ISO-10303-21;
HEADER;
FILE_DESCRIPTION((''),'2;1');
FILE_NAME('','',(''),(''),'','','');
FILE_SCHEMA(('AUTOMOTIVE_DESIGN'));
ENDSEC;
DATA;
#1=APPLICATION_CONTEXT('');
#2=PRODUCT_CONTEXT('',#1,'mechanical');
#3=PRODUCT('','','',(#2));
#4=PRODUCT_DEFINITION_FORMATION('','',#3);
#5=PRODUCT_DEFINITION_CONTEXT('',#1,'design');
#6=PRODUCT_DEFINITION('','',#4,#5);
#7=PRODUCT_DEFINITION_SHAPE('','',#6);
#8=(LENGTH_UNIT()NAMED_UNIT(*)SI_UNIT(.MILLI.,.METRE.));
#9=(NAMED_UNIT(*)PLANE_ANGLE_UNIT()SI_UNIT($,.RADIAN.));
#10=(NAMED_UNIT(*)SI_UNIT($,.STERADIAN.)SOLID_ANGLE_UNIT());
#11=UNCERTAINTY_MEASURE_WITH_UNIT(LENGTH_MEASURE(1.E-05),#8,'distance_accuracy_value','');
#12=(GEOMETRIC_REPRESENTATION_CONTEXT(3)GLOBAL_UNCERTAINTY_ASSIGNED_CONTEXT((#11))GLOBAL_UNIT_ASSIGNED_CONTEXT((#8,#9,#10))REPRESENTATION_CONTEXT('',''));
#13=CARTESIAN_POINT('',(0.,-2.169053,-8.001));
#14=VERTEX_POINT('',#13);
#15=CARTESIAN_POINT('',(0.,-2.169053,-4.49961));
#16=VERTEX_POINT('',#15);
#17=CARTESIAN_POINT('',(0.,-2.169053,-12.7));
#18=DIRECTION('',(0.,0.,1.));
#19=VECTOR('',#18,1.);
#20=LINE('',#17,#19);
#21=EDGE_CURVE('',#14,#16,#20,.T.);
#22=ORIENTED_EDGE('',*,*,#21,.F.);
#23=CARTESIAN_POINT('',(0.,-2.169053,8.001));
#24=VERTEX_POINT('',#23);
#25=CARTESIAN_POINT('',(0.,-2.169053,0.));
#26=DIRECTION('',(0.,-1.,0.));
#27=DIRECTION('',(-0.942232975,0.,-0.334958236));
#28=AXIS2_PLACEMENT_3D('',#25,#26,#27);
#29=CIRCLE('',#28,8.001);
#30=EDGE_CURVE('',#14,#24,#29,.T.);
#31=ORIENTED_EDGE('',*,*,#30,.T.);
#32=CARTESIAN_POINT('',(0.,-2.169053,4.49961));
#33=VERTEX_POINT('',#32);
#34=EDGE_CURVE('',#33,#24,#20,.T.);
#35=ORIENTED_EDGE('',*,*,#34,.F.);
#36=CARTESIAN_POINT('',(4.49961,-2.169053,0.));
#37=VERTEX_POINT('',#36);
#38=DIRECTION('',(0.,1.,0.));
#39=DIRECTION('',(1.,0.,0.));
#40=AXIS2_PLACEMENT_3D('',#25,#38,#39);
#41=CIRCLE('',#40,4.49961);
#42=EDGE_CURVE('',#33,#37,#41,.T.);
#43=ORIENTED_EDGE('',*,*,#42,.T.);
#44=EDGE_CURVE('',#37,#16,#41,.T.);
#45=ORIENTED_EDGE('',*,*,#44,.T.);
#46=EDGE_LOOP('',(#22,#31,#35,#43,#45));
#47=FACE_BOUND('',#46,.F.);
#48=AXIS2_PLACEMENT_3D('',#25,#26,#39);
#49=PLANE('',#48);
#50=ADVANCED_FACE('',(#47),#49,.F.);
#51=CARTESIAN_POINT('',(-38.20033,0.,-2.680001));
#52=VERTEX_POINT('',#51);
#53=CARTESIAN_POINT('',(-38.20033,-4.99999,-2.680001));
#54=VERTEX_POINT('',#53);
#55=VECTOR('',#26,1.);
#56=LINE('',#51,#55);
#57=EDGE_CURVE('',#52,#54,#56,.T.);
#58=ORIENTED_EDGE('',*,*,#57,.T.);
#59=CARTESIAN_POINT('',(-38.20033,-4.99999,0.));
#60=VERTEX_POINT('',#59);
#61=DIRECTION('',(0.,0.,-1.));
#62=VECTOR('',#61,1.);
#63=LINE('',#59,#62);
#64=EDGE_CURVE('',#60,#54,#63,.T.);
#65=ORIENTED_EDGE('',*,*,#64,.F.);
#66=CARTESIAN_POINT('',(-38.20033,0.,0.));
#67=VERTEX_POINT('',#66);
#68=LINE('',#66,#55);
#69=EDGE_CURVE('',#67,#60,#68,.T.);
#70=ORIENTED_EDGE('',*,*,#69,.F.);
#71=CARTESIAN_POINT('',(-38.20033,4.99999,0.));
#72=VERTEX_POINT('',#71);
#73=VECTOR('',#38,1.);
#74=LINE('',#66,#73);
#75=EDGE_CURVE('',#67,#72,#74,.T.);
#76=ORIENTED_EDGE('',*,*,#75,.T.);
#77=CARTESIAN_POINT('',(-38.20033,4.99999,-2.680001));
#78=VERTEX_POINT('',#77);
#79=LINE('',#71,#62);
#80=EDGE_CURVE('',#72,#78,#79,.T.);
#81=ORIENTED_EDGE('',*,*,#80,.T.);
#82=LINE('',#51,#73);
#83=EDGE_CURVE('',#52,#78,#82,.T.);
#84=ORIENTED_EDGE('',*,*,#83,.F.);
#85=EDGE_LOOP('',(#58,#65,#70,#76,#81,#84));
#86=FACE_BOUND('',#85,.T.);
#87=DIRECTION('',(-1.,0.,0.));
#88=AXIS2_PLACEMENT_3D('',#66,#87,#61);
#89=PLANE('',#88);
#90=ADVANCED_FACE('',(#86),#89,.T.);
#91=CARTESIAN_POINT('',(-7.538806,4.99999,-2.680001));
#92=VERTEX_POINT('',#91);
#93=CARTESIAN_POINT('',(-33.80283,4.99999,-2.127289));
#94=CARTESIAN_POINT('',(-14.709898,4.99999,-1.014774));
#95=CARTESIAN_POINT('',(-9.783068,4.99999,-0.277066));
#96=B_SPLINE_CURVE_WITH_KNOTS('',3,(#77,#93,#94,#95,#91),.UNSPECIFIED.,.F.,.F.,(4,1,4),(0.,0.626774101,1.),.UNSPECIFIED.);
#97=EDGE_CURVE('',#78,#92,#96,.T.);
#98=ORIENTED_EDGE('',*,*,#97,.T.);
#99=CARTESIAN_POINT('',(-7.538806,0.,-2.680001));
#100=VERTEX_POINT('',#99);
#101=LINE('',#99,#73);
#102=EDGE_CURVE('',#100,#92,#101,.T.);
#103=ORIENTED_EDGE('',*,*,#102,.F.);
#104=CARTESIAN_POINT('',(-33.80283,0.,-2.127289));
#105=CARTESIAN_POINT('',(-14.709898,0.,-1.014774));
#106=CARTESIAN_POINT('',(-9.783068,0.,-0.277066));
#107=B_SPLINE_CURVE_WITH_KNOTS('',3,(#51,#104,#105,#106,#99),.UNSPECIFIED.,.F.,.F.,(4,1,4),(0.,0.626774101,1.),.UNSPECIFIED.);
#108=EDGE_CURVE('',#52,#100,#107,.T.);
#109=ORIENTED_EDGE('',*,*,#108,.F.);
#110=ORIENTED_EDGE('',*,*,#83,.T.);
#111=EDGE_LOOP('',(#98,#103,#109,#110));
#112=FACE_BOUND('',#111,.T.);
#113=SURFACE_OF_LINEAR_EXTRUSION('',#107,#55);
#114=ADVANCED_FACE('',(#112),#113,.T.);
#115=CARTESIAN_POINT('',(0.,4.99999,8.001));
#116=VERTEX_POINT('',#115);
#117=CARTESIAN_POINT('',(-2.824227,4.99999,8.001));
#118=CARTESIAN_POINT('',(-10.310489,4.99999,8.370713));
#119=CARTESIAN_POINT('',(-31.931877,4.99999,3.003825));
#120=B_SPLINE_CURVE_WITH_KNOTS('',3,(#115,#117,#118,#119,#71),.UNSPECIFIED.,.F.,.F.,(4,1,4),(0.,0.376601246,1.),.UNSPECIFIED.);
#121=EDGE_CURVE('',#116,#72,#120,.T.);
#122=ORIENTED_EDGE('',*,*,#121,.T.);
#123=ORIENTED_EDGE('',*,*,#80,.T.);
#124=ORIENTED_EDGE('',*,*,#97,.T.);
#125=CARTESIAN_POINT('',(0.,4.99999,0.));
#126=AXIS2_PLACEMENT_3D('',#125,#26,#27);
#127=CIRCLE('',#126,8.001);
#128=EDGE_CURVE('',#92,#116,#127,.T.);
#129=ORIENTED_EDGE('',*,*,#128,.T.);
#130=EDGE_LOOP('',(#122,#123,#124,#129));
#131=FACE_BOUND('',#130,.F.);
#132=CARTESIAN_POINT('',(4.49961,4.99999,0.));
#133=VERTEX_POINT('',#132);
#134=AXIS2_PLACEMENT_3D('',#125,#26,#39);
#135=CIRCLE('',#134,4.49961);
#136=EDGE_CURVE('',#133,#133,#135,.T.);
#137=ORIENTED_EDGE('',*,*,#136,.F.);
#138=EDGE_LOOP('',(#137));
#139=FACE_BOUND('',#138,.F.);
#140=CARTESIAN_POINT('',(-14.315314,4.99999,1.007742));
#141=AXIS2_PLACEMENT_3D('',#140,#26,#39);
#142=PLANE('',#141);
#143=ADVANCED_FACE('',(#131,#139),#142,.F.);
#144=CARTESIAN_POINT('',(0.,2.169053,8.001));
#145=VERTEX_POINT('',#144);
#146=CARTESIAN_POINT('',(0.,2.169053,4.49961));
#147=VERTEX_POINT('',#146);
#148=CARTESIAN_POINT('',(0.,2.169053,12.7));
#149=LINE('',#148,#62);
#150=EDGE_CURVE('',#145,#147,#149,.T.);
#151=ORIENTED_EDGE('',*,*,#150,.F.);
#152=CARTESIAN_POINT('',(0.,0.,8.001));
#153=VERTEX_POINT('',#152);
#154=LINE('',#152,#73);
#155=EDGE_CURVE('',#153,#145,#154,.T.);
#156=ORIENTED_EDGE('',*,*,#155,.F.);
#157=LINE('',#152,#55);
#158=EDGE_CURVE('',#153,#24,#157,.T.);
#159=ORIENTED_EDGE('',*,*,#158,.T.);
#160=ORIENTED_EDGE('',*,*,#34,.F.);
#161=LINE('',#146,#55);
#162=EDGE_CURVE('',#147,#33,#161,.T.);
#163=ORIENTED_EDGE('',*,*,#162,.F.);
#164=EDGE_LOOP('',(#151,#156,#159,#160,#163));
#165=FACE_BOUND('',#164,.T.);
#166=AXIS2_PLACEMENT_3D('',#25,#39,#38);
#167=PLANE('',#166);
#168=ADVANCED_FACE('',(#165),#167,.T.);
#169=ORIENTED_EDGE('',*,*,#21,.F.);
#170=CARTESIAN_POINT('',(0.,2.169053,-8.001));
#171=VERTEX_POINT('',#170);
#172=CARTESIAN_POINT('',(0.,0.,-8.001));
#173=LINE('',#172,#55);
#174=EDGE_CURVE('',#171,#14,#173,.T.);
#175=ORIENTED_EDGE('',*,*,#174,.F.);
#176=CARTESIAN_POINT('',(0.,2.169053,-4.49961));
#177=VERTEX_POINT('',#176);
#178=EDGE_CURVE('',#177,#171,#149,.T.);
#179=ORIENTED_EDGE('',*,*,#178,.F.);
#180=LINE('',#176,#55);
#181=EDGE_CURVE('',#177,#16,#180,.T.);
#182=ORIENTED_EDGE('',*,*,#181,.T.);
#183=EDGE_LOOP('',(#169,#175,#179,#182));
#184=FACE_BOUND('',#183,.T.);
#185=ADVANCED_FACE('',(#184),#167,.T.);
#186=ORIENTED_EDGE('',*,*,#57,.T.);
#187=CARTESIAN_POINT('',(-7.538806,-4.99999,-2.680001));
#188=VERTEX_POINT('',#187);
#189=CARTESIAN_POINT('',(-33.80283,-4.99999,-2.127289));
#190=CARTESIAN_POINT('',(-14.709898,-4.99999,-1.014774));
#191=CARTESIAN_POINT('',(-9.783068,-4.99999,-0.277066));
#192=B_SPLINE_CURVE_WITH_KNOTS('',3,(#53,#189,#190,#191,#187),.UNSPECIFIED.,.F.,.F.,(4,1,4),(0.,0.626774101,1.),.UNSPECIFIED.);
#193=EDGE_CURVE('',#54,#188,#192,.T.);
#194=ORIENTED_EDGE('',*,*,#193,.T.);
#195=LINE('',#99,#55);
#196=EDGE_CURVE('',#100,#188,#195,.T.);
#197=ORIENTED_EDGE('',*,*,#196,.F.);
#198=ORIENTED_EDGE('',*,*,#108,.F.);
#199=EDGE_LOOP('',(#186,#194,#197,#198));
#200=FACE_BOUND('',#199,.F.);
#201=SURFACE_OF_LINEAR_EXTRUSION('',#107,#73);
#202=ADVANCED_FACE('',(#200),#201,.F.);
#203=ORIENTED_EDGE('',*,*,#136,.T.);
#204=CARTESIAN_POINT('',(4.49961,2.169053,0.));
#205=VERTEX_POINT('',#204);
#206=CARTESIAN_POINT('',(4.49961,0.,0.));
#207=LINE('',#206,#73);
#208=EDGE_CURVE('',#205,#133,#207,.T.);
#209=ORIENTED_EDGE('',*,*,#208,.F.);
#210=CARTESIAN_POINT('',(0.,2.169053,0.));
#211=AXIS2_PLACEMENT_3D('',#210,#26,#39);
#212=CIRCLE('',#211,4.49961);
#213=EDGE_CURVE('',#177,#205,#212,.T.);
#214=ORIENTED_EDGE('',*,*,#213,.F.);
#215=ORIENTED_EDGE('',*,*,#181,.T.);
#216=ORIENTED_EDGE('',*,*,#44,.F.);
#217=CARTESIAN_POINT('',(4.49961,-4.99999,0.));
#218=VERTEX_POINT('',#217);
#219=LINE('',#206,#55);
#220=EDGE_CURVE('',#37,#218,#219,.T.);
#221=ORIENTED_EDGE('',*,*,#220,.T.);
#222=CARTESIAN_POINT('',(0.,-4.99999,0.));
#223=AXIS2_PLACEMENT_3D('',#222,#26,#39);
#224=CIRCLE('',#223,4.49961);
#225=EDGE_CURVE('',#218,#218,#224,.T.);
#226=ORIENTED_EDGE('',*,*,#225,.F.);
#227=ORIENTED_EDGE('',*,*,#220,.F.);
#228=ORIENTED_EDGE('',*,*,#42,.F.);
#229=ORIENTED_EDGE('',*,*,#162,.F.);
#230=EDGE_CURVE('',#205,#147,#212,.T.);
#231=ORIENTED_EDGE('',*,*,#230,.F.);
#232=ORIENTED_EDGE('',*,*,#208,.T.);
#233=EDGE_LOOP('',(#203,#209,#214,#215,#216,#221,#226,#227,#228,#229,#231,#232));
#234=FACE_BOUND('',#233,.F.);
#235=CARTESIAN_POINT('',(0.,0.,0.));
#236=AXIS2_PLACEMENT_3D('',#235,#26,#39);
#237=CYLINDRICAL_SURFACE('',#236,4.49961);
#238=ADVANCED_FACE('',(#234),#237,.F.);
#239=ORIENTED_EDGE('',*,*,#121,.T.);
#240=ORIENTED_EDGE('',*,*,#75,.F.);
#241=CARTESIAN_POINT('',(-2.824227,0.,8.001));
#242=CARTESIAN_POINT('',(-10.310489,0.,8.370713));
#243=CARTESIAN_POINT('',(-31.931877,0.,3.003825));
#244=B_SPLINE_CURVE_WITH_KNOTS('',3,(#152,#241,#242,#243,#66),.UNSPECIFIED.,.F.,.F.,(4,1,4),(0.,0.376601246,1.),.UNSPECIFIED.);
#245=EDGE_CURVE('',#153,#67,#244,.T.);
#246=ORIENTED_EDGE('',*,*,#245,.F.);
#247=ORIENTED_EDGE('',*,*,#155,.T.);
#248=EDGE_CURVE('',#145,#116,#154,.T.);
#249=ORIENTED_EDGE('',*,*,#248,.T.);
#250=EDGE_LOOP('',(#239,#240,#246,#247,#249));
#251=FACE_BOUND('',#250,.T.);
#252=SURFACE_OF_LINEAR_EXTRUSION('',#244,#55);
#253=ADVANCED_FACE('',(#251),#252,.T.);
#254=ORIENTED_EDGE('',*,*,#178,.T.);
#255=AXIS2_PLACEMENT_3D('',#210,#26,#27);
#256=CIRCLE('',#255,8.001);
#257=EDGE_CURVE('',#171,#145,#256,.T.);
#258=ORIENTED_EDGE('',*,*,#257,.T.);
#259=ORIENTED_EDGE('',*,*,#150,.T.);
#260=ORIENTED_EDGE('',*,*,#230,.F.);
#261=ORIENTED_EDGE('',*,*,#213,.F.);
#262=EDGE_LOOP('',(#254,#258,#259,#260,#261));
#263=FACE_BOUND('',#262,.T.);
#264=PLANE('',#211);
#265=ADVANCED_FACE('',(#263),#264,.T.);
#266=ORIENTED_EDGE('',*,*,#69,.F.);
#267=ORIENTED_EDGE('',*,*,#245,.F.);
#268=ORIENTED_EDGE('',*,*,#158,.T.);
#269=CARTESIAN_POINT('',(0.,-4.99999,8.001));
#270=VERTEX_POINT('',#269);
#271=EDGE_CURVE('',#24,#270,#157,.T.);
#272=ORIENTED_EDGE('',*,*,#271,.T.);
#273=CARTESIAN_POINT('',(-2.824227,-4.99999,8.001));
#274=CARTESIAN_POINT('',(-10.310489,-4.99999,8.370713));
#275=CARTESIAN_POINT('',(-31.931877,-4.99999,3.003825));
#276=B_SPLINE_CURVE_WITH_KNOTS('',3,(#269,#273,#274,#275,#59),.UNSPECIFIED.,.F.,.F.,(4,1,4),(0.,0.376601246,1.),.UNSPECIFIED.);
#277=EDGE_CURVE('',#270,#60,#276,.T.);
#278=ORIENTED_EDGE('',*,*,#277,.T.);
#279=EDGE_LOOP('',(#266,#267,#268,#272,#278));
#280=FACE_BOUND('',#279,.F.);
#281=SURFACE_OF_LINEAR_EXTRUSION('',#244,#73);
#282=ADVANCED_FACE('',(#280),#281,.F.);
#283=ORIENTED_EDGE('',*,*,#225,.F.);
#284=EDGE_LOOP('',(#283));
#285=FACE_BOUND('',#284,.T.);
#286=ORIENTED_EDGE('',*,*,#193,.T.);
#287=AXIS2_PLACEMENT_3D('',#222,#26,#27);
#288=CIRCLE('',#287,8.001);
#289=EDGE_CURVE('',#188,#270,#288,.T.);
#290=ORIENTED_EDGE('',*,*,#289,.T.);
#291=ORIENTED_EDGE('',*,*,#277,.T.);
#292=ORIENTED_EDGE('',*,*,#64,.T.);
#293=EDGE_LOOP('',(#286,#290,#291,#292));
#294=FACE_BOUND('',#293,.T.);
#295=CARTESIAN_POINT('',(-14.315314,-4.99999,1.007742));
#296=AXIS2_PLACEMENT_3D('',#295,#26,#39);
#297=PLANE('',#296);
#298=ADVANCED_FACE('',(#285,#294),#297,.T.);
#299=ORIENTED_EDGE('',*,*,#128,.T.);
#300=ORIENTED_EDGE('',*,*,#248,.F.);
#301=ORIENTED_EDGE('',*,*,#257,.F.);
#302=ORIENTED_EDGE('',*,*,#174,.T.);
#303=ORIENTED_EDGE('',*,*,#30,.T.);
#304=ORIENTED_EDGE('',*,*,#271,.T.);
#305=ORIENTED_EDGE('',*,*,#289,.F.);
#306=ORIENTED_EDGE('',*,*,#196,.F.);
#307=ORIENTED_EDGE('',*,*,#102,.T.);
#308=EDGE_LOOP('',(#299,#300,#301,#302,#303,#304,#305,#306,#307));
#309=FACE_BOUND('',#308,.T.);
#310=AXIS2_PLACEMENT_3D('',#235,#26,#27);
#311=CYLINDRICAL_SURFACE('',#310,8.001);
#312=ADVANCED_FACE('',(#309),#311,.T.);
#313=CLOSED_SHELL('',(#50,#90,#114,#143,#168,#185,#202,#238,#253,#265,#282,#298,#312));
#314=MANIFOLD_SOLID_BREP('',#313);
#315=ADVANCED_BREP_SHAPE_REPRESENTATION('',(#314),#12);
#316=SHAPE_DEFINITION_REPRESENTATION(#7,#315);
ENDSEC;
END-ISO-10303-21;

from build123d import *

# Parameters (mm, degrees)
F0_R     = 4.49961
F1_DEPTH = 4.99999
F2_W     = 8.8864957233
F2_H     = 4.3381056748
F3_DEPTH = 12.7


with BuildPart() as f1:
    # F0 (on Front) → F1 (new body, symmetric)
    with BuildSketch(Plane.XZ):
        with BuildLine():
            add(Edge.make_bspline(
                [(-38.20033, -2.6800008491), (-33.8028298231, -2.1272893085), (-14.7098983018, -1.0147738741), (-9.783067762, -0.2770660699), (-7.538806036, -2.6800008491)],
                knots=[0, 0, 0, 0, 0.6267741008, 1, 1, 1, 1], degree=3))
            ThreePointArc((-7.538806036, -2.6800008491), (6.5367686128, -4.6137465365), (0, 8.001))
            add(Edge.make_bspline(
                [(0, 8.001), (-2.824226835, 8.001), (-10.3104885626, 8.3707128448), (-31.9318765158, 3.0038253074), (-38.20033, 0)],
                knots=[0, 0, 0, 0, 0.3766012457, 1, 1, 1, 1], degree=3))
            Line((-38.20033, 0), (-38.20033, -2.6800008491))
        make_face()
        Circle(F0_R, mode=Mode.SUBTRACT)
    extrude(amount=F1_DEPTH, both=True)

    # F2 (on Top) → F3 (cut, symmetric)
    with BuildSketch(Plane.XY):
        with Locations((4.4432478617, 0)):
            Rectangle(F2_W, F2_H)
    extrude(amount=F3_DEPTH, both=True, mode=Mode.SUBTRACT)


solid = f1.part
